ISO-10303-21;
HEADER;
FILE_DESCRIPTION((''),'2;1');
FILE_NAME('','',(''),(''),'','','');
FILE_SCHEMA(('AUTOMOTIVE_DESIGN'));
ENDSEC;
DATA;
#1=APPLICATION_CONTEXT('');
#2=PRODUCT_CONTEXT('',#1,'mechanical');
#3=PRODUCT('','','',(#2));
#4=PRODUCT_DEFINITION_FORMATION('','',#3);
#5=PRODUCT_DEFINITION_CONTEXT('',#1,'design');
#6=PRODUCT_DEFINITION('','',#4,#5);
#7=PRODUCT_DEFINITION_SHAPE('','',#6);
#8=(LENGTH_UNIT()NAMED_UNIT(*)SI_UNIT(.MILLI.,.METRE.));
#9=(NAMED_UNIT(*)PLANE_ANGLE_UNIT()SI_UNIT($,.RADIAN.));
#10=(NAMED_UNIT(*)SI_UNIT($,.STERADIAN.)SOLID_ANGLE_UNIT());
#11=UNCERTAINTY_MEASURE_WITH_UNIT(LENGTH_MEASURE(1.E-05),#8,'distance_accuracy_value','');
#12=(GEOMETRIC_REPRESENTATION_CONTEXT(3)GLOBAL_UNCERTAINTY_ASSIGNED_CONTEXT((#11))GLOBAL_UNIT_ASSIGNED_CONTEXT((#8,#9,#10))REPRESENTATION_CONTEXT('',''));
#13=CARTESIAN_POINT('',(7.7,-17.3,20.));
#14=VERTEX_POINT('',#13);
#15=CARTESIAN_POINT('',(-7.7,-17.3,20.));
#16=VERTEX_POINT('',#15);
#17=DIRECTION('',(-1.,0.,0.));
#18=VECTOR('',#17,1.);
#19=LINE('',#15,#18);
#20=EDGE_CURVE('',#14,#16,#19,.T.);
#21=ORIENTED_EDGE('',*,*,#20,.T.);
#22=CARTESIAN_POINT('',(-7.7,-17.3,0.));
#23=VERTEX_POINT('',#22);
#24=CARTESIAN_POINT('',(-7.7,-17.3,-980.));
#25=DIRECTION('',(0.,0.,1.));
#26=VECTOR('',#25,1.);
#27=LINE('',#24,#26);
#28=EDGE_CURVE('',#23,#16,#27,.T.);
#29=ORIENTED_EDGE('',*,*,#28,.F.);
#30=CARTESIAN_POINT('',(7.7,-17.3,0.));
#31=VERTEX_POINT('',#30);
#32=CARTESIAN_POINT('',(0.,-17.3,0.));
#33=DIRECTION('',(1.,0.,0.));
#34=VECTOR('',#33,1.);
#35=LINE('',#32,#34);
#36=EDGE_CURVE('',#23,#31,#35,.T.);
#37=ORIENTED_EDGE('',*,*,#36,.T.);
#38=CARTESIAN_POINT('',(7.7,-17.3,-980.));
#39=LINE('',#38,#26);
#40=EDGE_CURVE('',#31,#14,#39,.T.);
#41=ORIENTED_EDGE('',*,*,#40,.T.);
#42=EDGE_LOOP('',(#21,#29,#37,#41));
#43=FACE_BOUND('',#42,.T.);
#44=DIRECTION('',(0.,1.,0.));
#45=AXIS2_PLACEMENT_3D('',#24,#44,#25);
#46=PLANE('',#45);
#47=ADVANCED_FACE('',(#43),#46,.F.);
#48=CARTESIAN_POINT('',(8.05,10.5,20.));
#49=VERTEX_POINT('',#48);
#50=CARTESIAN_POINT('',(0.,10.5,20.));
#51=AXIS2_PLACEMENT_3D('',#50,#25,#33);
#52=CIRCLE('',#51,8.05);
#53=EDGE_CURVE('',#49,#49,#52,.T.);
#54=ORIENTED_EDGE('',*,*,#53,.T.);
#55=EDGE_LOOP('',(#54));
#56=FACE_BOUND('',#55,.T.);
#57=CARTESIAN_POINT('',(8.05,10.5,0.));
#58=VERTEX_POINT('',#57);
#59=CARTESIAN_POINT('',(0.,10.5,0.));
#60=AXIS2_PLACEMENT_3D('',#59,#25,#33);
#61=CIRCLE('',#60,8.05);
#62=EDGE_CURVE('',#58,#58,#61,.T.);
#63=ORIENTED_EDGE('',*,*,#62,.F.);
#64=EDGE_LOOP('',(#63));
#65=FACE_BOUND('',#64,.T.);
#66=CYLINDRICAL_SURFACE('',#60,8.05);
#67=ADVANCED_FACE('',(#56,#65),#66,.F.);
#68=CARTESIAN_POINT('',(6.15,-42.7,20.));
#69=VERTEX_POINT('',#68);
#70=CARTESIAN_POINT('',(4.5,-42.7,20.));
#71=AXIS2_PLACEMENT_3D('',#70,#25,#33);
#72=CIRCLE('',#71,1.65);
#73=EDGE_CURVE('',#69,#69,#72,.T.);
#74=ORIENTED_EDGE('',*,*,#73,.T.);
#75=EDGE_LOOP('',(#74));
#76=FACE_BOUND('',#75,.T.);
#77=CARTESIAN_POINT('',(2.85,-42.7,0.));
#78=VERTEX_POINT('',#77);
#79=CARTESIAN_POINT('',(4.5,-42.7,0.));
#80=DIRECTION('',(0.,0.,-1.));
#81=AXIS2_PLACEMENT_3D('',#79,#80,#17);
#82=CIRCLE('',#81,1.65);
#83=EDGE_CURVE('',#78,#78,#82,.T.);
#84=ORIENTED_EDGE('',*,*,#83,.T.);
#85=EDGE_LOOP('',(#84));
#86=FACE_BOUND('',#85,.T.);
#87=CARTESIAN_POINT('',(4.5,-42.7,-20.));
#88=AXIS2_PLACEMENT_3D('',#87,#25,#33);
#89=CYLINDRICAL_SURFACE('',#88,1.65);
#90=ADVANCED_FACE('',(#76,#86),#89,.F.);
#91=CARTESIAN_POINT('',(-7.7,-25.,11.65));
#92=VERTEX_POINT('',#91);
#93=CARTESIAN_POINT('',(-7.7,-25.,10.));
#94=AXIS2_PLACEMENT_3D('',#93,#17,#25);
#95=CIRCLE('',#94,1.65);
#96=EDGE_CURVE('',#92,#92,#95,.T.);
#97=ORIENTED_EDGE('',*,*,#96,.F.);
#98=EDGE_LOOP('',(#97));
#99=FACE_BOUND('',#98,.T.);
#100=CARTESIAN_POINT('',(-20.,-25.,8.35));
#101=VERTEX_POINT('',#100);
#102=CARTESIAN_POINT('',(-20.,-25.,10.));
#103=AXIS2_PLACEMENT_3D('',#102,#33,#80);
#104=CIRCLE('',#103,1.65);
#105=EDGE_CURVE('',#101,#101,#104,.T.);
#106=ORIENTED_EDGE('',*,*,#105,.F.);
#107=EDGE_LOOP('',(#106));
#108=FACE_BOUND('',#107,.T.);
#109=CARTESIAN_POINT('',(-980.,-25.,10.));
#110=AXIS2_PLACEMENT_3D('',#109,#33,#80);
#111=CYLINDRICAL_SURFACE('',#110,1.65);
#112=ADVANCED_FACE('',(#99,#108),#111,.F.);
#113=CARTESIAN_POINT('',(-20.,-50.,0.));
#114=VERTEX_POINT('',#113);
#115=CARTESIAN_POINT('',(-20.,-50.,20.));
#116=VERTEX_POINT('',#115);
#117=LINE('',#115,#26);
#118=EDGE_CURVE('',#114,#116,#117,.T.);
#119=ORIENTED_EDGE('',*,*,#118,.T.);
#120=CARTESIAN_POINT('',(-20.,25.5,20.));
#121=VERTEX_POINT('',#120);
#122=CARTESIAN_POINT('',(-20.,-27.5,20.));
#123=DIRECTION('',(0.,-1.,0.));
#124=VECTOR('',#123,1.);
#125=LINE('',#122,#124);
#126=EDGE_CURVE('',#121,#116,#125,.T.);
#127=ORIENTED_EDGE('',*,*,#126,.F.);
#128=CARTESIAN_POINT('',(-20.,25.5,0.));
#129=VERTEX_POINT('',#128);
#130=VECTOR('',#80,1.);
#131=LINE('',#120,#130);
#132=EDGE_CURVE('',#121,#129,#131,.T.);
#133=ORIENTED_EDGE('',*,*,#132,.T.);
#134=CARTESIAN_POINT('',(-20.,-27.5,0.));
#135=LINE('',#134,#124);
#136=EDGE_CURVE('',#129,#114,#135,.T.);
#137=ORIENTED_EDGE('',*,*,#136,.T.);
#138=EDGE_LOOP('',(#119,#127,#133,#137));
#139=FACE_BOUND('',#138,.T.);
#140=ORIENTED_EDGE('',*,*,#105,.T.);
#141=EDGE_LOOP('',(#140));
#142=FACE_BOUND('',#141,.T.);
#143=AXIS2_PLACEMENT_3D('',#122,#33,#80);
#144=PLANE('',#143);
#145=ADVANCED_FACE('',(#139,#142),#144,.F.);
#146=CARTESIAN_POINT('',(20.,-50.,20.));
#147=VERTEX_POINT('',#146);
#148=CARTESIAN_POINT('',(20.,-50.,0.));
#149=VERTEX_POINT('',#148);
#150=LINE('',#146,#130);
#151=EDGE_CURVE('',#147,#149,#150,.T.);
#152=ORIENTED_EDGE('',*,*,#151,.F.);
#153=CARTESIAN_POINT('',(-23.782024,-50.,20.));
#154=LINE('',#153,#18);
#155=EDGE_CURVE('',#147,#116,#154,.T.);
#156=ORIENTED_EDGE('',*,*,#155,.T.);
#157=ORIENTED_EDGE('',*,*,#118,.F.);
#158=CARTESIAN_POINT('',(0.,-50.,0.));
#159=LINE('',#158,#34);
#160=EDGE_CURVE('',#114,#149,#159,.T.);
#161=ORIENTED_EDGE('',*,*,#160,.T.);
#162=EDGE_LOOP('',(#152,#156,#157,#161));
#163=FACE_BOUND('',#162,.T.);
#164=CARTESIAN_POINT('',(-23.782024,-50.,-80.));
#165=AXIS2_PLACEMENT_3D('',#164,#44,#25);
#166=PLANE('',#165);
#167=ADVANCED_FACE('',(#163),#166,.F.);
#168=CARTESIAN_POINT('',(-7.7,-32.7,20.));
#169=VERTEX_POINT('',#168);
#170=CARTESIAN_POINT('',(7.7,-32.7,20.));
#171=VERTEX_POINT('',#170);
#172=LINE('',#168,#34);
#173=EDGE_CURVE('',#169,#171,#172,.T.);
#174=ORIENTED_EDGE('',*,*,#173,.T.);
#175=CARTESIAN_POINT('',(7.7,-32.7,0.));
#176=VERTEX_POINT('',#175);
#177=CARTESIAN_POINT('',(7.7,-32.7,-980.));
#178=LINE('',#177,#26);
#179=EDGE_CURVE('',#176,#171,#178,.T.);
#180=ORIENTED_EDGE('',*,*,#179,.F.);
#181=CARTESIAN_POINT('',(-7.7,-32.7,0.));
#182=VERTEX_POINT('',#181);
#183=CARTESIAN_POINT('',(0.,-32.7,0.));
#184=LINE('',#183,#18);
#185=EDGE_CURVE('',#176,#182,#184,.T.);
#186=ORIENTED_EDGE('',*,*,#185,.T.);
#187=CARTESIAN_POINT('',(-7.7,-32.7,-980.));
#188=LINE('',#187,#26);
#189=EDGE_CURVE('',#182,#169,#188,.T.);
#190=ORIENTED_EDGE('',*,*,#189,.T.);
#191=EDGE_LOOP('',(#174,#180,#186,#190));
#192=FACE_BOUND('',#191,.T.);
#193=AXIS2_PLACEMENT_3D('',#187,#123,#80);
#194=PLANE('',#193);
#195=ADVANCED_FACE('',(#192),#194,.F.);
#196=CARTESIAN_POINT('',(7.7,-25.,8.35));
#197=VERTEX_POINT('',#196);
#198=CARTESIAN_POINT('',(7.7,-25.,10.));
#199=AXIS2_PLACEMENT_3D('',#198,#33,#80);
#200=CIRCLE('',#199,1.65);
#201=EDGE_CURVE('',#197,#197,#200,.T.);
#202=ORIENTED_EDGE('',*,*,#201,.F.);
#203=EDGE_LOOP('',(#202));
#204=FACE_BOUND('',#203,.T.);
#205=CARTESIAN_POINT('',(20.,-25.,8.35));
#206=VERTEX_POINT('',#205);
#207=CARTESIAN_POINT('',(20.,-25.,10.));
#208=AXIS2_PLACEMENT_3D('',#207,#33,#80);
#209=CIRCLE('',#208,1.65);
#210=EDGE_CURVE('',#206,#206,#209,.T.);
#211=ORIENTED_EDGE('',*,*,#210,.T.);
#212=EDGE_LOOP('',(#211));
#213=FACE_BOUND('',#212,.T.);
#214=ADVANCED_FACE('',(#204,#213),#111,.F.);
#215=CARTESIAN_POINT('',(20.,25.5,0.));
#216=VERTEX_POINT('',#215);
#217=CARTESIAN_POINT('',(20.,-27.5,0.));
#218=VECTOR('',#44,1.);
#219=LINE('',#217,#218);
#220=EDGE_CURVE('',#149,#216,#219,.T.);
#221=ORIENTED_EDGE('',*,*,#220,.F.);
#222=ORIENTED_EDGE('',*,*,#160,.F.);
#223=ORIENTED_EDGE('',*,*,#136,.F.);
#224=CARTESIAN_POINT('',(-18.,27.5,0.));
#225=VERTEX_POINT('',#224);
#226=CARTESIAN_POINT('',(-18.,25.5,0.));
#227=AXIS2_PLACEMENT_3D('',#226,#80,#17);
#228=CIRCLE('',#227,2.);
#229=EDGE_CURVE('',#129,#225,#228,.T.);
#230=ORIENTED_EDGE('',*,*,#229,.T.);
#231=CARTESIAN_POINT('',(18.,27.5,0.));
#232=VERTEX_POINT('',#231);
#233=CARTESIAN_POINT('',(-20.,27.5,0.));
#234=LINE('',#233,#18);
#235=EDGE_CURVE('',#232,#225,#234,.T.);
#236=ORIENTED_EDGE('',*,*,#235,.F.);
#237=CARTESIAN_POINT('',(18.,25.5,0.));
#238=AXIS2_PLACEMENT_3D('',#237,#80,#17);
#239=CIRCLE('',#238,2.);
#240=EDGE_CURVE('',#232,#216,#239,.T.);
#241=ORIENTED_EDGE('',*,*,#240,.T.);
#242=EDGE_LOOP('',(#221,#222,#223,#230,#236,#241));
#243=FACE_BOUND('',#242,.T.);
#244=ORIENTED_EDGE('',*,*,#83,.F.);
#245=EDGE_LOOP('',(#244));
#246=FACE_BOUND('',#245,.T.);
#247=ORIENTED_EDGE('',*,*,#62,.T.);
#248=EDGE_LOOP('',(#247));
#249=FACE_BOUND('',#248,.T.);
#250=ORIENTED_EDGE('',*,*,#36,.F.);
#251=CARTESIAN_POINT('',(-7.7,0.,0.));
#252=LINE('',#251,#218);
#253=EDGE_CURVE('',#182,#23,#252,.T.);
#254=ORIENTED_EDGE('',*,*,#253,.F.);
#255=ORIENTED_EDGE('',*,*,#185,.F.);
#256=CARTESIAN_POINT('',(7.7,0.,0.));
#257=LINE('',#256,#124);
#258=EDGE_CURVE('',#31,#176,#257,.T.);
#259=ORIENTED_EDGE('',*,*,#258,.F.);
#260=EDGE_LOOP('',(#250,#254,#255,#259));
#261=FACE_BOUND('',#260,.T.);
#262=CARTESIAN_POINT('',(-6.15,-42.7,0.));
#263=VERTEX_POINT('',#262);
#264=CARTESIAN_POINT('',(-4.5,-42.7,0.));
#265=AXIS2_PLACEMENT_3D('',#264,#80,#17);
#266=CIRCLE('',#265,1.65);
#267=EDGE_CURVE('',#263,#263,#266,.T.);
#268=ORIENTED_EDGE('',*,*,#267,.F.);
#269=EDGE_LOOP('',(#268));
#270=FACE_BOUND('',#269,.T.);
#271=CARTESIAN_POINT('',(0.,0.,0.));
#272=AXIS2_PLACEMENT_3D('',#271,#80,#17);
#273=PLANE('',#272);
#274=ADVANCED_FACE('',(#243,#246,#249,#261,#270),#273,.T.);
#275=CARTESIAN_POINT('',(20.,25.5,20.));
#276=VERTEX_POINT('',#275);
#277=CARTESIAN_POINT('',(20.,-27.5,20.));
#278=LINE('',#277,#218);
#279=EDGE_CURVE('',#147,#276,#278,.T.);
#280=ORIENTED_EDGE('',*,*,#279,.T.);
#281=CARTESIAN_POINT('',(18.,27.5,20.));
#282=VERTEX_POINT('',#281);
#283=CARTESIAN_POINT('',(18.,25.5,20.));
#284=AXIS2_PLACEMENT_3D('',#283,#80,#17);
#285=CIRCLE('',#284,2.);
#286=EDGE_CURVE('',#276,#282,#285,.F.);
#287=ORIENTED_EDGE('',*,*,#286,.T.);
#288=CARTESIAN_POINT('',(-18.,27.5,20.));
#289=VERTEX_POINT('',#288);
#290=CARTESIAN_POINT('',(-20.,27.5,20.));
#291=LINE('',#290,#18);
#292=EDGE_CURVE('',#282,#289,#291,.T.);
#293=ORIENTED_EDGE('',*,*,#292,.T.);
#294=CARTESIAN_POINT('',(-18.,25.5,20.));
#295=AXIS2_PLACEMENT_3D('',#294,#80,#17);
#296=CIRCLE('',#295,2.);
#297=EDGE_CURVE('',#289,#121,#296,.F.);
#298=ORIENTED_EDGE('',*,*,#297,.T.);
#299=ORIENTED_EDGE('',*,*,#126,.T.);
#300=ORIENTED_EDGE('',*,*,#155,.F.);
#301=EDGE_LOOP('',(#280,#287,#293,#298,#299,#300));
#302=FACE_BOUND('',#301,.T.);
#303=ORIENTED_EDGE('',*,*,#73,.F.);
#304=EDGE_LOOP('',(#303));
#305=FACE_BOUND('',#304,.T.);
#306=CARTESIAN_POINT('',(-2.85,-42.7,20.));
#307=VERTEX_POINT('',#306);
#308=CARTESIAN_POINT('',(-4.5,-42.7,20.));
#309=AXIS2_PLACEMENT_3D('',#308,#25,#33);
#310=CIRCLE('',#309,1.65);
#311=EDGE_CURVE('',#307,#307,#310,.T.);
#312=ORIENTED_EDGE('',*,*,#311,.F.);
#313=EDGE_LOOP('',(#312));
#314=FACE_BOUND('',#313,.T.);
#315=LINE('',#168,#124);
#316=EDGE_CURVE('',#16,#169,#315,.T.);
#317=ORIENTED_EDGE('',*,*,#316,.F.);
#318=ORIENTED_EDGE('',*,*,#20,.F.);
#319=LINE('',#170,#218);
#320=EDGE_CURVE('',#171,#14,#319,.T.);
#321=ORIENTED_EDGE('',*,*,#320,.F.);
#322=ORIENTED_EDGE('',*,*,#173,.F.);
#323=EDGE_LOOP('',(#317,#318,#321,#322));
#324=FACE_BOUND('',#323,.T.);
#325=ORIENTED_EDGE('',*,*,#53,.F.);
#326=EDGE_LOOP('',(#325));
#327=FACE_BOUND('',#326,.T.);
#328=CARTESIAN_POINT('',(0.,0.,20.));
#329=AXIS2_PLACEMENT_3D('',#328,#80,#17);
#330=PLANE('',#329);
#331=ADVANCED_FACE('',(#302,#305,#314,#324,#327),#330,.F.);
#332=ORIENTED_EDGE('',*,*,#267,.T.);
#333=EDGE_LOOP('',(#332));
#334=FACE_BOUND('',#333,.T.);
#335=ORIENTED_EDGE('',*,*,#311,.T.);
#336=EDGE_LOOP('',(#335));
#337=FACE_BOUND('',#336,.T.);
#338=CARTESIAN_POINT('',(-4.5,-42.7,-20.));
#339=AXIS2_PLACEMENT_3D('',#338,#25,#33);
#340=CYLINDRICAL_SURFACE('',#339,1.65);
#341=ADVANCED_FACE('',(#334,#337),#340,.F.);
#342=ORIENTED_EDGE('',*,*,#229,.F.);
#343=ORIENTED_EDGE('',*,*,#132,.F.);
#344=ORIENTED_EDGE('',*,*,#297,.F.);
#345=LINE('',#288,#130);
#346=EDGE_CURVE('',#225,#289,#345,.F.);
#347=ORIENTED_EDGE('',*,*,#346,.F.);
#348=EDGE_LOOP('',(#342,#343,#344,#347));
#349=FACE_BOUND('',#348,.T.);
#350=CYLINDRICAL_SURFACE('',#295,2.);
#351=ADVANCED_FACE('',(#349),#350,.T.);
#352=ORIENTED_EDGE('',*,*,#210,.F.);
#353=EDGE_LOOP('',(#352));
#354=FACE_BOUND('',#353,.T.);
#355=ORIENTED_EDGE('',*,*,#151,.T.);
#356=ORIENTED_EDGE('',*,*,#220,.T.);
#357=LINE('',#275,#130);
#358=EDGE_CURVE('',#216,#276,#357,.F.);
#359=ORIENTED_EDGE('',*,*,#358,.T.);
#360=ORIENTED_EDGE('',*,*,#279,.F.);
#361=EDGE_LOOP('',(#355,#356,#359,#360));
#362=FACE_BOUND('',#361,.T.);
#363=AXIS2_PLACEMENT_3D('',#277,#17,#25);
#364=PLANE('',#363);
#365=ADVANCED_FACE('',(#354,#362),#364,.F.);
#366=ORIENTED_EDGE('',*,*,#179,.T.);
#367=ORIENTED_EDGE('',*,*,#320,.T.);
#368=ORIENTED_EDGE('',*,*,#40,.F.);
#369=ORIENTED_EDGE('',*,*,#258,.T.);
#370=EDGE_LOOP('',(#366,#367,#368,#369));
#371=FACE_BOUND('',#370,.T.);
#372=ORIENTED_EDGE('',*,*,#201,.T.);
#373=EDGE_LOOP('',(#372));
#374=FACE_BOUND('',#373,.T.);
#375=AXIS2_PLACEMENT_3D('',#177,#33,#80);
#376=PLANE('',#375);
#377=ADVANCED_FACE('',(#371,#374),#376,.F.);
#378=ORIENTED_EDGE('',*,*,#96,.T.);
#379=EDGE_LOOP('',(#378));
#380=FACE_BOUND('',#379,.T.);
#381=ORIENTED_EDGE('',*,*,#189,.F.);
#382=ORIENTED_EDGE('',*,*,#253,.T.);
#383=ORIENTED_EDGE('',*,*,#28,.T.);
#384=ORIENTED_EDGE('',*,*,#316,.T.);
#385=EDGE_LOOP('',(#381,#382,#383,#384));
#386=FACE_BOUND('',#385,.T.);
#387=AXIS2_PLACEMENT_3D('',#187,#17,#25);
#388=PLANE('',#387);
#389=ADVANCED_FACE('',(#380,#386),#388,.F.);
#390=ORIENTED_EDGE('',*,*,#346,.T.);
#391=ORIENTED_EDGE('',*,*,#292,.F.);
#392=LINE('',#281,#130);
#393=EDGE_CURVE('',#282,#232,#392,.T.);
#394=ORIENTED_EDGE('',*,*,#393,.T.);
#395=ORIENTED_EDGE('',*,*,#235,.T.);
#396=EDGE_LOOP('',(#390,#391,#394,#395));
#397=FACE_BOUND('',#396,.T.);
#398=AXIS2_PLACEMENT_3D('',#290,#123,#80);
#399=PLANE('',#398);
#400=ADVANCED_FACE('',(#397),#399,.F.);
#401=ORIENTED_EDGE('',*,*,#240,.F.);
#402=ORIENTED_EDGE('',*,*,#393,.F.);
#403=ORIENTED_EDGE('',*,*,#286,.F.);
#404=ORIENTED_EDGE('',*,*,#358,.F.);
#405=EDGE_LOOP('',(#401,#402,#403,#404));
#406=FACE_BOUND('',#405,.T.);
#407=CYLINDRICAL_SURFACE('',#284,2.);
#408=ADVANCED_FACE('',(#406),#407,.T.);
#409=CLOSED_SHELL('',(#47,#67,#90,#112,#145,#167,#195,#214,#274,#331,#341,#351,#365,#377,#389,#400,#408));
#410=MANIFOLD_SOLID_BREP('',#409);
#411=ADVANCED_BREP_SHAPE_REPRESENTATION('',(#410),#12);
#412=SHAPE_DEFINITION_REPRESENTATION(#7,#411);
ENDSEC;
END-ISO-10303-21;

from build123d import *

# Parameters (mm, degrees)
SKETCH_1_W          = 40
SKETCH_1_H          = 55
EXTRUDE_1_DEPTH     = 20
SKETCH_2_R          = 8.05
CUT_EXTRUDE_1_DEPTH = 20
SKETCH_3_W          = 40
SKETCH_3_H          = 20
EXTRUDE_2_DEPTH     = 32.5
SKETCH_6_W          = 15.4
SKETCH_6_H          = 15.4
CUT_EXTRUDE_4_DEPTH = 1000
SKETCH_4_R          = 1.65
CUT_EXTRUDE_2_DEPTH = 40
SKETCH_5_W          = 5
SKETCH_5_H          = 5
CUT_EXTRUDE_3_DEPTH = 6
FILLET_1_R          = 2
SKETCH_7_W          = 47.564048478
SKETCH_7_H          = 11.463166905
CUT_EXTRUDE_5_DEPTH = 100
SKETCH_8_R          = 1.65
CUT_EXTRUDE_6_DEPTH = 1000


with BuildPart() as part:
    # 草图1 → 凸台-拉伸1 (new body)
    with BuildSketch(Plane.XY):
        Rectangle(SKETCH_1_W, SKETCH_1_H)
    extrude(amount=EXTRUDE_1_DEPTH)

    # 草图2 → 切除-拉伸1 (cut)
    with BuildSketch(Plane.XY.offset(20)):
        with Locations((0, 10.5)):
            Circle(SKETCH_2_R)
    extrude(amount=-CUT_EXTRUDE_1_DEPTH, mode=Mode.SUBTRACT)

    # 草图3 → 凸台-拉伸2 (add)
    with BuildSketch(Plane.XZ.offset(27.5)):
        with Locations((0, 10)):
            Rectangle(SKETCH_3_W, SKETCH_3_H)
    extrude(amount=EXTRUDE_2_DEPTH)

    # 草图6 → 切除-拉伸4 (cut)
    with BuildSketch(Plane.XY.offset(20)):
        with Locations((0, -25)):
            Rectangle(SKETCH_6_W, SKETCH_6_H)
    extrude(amount=-CUT_EXTRUDE_4_DEPTH, mode=Mode.SUBTRACT)

    # 草图4 → 切除-拉伸2 (cut)
    with BuildSketch(Plane.XY.offset(20)):
        with Locations((4.5, -42.7)):
            Circle(SKETCH_4_R)
        with Locations((-4.5, -42.7)):
            Circle(SKETCH_4_R)
    extrude(amount=-CUT_EXTRUDE_2_DEPTH, mode=Mode.SUBTRACT)

    # 草图5 → 切除-拉伸3 (cut)
    with BuildSketch(Plane.XZ.offset(60)):
        with Locations((0, 12)):
            Rectangle(SKETCH_5_W, SKETCH_5_H)
    extrude(amount=-CUT_EXTRUDE_3_DEPTH, mode=Mode.SUBTRACT)

    # 圆角1
    fillet_1_edges = [part.edges().sort_by_distance(p)[0] for p in [
        (-20, 27.5, 10),
        (20, 27.5, 10),
    ]]
    fillet(fillet_1_edges, radius=FILLET_1_R)

    # 草图7 → 切除-拉伸5 (cut)
    with BuildSketch(Plane.XY.offset(20)):
        with Locations((0, -55.731583453)):
            Rectangle(SKETCH_7_W, SKETCH_7_H)
    extrude(amount=-CUT_EXTRUDE_5_DEPTH, mode=Mode.SUBTRACT)

    # 草图8 → 切除-拉伸6 (cut)
    with BuildSketch(Plane(origin=(20, 0, 0), x_dir=(0, 0, -1), z_dir=(1, 0, 0))):
        with Locations((-10, -25)):
            Circle(SKETCH_8_R)
    extrude(amount=-CUT_EXTRUDE_6_DEPTH, mode=Mode.SUBTRACT)


solid = part.part
